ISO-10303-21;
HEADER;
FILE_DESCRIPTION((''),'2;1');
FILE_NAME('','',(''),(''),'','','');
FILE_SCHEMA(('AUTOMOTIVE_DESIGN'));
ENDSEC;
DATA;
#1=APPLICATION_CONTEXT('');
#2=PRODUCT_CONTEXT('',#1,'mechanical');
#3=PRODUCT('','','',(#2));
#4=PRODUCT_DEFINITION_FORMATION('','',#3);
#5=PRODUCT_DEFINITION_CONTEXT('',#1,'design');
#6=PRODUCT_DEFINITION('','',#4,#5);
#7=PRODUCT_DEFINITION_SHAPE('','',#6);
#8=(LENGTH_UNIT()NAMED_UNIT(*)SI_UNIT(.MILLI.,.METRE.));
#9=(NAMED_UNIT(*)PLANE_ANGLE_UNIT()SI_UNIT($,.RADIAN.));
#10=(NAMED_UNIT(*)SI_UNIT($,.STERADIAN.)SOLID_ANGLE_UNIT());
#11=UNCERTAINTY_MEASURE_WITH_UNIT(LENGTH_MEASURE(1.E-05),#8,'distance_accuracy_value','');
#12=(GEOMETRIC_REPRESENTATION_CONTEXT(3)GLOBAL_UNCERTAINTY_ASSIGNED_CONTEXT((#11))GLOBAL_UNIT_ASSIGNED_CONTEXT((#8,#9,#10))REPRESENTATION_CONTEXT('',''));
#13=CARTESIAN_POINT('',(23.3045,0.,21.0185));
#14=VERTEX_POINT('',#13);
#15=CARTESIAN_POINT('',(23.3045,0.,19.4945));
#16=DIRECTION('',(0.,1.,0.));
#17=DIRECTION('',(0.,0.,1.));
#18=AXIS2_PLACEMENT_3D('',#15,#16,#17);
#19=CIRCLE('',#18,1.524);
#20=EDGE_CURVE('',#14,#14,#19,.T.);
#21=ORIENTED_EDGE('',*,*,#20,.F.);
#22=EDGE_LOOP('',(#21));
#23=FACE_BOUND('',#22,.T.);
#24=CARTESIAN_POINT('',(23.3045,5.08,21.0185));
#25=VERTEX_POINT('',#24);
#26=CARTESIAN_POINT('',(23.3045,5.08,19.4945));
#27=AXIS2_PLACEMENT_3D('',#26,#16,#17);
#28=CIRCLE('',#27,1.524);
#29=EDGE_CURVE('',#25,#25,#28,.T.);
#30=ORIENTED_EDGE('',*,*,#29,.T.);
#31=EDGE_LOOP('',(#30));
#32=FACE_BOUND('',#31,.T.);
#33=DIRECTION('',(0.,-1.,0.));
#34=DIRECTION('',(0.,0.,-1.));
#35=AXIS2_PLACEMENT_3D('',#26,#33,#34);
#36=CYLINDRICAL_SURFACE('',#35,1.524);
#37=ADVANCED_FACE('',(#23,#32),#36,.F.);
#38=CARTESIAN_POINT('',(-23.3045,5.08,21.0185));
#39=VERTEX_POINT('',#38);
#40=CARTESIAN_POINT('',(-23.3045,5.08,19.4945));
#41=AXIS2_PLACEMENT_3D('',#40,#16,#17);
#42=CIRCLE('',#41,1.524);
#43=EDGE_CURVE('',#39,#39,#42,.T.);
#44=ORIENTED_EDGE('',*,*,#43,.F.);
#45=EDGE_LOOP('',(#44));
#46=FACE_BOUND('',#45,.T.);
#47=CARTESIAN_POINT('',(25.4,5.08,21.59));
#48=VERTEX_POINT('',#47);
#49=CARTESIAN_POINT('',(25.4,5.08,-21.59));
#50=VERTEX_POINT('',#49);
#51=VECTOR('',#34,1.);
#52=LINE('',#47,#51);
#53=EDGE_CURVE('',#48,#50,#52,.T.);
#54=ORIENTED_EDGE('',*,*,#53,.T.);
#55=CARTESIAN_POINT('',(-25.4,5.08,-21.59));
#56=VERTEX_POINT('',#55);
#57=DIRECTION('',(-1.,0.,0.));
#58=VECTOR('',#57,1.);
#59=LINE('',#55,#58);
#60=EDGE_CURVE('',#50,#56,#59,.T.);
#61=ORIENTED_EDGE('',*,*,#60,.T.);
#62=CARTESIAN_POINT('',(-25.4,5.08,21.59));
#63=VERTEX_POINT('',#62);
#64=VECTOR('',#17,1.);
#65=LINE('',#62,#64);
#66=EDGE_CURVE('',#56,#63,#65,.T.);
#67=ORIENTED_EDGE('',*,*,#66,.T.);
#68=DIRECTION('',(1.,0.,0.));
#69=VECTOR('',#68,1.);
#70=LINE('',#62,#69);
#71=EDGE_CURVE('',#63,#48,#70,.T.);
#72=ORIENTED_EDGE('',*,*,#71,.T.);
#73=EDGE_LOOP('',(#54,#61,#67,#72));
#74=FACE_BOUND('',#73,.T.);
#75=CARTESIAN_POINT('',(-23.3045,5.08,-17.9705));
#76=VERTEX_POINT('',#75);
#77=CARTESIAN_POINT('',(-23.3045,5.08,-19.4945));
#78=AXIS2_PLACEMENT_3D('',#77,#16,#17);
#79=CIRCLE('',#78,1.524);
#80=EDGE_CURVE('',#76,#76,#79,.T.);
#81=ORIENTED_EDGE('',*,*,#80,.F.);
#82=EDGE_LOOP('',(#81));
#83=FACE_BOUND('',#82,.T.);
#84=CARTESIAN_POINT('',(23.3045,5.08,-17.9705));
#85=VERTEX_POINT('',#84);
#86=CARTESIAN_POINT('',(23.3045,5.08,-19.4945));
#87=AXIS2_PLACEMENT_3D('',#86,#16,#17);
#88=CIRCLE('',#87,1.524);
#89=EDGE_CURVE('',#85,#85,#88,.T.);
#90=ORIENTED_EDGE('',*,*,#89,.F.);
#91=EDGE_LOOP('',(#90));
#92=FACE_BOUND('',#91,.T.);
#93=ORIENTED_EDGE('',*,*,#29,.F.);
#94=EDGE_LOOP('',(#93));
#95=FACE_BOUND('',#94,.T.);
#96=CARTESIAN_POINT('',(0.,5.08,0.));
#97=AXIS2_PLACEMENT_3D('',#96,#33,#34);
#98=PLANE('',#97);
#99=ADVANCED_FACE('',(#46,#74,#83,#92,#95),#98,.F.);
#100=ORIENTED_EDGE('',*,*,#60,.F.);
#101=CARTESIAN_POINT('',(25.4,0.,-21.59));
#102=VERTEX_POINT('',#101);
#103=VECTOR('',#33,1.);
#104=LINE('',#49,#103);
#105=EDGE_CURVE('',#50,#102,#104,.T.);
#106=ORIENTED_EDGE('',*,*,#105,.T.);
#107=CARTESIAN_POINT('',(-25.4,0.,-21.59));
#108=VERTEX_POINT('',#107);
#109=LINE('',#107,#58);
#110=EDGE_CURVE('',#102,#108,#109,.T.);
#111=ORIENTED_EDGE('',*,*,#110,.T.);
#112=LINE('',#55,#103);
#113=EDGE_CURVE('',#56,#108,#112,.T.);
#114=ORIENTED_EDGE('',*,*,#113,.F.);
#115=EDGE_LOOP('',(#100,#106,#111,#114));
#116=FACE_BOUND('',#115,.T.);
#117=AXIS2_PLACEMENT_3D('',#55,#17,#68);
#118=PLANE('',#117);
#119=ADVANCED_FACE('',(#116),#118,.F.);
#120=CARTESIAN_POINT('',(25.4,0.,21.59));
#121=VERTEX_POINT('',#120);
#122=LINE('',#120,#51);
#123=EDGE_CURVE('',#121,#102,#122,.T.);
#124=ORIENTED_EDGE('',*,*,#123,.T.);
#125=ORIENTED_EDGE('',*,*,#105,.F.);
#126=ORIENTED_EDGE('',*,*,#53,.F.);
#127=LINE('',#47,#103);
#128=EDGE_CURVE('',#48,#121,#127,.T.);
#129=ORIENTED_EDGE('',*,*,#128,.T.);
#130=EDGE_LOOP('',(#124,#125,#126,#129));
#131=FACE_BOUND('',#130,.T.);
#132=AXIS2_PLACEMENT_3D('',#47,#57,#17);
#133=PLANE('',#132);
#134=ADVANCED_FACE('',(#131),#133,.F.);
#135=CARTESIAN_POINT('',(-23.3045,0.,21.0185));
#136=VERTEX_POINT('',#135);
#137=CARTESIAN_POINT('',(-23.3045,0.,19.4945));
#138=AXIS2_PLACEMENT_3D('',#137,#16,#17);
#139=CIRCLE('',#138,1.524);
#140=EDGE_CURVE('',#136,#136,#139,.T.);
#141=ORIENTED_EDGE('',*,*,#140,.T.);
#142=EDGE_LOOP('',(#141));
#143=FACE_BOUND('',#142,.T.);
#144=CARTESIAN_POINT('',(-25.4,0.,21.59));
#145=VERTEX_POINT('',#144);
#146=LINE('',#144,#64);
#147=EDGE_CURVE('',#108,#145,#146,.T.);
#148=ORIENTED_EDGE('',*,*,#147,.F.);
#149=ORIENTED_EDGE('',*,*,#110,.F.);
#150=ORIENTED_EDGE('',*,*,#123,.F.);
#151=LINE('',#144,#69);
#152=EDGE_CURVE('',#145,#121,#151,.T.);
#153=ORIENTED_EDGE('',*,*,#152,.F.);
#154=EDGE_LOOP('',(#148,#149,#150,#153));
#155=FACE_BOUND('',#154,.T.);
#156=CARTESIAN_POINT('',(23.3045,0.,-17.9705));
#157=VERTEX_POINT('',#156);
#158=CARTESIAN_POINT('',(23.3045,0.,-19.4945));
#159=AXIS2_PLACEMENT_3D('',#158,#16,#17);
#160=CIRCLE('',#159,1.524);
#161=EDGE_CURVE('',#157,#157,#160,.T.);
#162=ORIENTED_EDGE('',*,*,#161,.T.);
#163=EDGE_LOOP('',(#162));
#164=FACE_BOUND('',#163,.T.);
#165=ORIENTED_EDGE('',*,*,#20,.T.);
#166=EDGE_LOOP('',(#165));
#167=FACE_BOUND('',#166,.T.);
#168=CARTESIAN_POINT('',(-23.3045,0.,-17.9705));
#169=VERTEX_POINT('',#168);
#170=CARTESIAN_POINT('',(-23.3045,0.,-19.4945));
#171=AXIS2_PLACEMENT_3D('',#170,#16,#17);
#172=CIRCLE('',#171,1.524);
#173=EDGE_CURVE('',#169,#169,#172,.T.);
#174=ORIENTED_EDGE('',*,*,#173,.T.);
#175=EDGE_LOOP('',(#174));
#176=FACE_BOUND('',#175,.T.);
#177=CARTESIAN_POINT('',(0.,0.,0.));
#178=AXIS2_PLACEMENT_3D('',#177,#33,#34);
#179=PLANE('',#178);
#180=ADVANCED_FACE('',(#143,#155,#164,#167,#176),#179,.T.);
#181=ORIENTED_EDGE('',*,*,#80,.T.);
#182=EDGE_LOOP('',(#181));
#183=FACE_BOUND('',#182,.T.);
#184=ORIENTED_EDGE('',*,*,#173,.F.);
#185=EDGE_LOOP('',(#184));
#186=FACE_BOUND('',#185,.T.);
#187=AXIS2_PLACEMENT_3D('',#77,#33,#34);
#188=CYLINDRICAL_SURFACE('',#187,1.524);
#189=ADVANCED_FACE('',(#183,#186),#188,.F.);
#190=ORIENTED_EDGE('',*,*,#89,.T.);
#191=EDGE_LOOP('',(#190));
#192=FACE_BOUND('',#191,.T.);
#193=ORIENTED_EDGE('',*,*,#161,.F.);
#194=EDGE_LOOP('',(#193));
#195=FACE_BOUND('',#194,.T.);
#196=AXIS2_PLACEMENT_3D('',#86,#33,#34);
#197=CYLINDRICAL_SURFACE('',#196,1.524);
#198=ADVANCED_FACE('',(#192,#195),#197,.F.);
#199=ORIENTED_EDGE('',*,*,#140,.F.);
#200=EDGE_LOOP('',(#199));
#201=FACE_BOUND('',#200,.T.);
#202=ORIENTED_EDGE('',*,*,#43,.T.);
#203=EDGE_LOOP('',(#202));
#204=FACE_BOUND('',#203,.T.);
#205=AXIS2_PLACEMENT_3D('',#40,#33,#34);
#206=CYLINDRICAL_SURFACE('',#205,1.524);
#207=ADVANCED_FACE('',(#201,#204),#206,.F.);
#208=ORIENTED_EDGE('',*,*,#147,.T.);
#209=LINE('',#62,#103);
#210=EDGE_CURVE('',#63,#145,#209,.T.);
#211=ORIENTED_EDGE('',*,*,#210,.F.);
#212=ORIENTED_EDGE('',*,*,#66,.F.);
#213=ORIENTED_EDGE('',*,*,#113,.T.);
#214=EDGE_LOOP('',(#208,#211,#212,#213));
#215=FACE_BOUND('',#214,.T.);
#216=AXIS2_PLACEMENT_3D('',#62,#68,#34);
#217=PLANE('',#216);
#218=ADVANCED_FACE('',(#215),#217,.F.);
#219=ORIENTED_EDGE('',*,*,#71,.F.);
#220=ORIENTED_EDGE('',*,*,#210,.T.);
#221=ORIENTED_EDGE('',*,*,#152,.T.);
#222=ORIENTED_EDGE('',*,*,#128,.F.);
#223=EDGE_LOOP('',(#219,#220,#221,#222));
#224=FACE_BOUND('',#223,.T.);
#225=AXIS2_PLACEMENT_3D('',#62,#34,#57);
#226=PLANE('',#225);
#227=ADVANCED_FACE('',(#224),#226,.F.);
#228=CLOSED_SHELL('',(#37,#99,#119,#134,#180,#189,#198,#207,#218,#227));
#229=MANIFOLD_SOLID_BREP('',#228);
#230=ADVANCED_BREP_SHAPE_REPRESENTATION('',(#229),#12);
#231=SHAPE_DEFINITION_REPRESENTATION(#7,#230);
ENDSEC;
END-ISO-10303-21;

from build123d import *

# Parameters (mm, degrees)
SKETCH1_W           = 50.8
SKETCH1_H           = 43.18
SKETCH1_R           = 1.524
BOSS_EXTRUDE1_DEPTH = 5.08


with BuildPart() as part:
    # Sketch1 → Boss-Extrude1 (new body)
    with BuildSketch(Plane(origin=(0, 0, 0), x_dir=(1, 0, 0), z_dir=(0, 1, 0))):
        Rectangle(SKETCH1_W, SKETCH1_H)
        with Locations(Location((-23.3045, 19.4945, 0), (0, 0, 270))):  # turned: the seam where the file's is
            Circle(SKETCH1_R, mode=Mode.SUBTRACT)
        with Locations(Location((23.3045, 19.4945, 0), (0, 0, 270))):  # turned: the seam where the file's is
            Circle(SKETCH1_R, mode=Mode.SUBTRACT)
        with Locations(Location((-23.3045, -19.4945, 0), (0, 0, 270))):  # turned: the seam where the file's is
            Circle(SKETCH1_R, mode=Mode.SUBTRACT)
        with Locations(Location((23.3045, -19.4945, 0), (0, 0, 270))):  # turned: the seam where the file's is
            Circle(SKETCH1_R, mode=Mode.SUBTRACT)
    extrude(amount=BOSS_EXTRUDE1_DEPTH)


solid = part.part
